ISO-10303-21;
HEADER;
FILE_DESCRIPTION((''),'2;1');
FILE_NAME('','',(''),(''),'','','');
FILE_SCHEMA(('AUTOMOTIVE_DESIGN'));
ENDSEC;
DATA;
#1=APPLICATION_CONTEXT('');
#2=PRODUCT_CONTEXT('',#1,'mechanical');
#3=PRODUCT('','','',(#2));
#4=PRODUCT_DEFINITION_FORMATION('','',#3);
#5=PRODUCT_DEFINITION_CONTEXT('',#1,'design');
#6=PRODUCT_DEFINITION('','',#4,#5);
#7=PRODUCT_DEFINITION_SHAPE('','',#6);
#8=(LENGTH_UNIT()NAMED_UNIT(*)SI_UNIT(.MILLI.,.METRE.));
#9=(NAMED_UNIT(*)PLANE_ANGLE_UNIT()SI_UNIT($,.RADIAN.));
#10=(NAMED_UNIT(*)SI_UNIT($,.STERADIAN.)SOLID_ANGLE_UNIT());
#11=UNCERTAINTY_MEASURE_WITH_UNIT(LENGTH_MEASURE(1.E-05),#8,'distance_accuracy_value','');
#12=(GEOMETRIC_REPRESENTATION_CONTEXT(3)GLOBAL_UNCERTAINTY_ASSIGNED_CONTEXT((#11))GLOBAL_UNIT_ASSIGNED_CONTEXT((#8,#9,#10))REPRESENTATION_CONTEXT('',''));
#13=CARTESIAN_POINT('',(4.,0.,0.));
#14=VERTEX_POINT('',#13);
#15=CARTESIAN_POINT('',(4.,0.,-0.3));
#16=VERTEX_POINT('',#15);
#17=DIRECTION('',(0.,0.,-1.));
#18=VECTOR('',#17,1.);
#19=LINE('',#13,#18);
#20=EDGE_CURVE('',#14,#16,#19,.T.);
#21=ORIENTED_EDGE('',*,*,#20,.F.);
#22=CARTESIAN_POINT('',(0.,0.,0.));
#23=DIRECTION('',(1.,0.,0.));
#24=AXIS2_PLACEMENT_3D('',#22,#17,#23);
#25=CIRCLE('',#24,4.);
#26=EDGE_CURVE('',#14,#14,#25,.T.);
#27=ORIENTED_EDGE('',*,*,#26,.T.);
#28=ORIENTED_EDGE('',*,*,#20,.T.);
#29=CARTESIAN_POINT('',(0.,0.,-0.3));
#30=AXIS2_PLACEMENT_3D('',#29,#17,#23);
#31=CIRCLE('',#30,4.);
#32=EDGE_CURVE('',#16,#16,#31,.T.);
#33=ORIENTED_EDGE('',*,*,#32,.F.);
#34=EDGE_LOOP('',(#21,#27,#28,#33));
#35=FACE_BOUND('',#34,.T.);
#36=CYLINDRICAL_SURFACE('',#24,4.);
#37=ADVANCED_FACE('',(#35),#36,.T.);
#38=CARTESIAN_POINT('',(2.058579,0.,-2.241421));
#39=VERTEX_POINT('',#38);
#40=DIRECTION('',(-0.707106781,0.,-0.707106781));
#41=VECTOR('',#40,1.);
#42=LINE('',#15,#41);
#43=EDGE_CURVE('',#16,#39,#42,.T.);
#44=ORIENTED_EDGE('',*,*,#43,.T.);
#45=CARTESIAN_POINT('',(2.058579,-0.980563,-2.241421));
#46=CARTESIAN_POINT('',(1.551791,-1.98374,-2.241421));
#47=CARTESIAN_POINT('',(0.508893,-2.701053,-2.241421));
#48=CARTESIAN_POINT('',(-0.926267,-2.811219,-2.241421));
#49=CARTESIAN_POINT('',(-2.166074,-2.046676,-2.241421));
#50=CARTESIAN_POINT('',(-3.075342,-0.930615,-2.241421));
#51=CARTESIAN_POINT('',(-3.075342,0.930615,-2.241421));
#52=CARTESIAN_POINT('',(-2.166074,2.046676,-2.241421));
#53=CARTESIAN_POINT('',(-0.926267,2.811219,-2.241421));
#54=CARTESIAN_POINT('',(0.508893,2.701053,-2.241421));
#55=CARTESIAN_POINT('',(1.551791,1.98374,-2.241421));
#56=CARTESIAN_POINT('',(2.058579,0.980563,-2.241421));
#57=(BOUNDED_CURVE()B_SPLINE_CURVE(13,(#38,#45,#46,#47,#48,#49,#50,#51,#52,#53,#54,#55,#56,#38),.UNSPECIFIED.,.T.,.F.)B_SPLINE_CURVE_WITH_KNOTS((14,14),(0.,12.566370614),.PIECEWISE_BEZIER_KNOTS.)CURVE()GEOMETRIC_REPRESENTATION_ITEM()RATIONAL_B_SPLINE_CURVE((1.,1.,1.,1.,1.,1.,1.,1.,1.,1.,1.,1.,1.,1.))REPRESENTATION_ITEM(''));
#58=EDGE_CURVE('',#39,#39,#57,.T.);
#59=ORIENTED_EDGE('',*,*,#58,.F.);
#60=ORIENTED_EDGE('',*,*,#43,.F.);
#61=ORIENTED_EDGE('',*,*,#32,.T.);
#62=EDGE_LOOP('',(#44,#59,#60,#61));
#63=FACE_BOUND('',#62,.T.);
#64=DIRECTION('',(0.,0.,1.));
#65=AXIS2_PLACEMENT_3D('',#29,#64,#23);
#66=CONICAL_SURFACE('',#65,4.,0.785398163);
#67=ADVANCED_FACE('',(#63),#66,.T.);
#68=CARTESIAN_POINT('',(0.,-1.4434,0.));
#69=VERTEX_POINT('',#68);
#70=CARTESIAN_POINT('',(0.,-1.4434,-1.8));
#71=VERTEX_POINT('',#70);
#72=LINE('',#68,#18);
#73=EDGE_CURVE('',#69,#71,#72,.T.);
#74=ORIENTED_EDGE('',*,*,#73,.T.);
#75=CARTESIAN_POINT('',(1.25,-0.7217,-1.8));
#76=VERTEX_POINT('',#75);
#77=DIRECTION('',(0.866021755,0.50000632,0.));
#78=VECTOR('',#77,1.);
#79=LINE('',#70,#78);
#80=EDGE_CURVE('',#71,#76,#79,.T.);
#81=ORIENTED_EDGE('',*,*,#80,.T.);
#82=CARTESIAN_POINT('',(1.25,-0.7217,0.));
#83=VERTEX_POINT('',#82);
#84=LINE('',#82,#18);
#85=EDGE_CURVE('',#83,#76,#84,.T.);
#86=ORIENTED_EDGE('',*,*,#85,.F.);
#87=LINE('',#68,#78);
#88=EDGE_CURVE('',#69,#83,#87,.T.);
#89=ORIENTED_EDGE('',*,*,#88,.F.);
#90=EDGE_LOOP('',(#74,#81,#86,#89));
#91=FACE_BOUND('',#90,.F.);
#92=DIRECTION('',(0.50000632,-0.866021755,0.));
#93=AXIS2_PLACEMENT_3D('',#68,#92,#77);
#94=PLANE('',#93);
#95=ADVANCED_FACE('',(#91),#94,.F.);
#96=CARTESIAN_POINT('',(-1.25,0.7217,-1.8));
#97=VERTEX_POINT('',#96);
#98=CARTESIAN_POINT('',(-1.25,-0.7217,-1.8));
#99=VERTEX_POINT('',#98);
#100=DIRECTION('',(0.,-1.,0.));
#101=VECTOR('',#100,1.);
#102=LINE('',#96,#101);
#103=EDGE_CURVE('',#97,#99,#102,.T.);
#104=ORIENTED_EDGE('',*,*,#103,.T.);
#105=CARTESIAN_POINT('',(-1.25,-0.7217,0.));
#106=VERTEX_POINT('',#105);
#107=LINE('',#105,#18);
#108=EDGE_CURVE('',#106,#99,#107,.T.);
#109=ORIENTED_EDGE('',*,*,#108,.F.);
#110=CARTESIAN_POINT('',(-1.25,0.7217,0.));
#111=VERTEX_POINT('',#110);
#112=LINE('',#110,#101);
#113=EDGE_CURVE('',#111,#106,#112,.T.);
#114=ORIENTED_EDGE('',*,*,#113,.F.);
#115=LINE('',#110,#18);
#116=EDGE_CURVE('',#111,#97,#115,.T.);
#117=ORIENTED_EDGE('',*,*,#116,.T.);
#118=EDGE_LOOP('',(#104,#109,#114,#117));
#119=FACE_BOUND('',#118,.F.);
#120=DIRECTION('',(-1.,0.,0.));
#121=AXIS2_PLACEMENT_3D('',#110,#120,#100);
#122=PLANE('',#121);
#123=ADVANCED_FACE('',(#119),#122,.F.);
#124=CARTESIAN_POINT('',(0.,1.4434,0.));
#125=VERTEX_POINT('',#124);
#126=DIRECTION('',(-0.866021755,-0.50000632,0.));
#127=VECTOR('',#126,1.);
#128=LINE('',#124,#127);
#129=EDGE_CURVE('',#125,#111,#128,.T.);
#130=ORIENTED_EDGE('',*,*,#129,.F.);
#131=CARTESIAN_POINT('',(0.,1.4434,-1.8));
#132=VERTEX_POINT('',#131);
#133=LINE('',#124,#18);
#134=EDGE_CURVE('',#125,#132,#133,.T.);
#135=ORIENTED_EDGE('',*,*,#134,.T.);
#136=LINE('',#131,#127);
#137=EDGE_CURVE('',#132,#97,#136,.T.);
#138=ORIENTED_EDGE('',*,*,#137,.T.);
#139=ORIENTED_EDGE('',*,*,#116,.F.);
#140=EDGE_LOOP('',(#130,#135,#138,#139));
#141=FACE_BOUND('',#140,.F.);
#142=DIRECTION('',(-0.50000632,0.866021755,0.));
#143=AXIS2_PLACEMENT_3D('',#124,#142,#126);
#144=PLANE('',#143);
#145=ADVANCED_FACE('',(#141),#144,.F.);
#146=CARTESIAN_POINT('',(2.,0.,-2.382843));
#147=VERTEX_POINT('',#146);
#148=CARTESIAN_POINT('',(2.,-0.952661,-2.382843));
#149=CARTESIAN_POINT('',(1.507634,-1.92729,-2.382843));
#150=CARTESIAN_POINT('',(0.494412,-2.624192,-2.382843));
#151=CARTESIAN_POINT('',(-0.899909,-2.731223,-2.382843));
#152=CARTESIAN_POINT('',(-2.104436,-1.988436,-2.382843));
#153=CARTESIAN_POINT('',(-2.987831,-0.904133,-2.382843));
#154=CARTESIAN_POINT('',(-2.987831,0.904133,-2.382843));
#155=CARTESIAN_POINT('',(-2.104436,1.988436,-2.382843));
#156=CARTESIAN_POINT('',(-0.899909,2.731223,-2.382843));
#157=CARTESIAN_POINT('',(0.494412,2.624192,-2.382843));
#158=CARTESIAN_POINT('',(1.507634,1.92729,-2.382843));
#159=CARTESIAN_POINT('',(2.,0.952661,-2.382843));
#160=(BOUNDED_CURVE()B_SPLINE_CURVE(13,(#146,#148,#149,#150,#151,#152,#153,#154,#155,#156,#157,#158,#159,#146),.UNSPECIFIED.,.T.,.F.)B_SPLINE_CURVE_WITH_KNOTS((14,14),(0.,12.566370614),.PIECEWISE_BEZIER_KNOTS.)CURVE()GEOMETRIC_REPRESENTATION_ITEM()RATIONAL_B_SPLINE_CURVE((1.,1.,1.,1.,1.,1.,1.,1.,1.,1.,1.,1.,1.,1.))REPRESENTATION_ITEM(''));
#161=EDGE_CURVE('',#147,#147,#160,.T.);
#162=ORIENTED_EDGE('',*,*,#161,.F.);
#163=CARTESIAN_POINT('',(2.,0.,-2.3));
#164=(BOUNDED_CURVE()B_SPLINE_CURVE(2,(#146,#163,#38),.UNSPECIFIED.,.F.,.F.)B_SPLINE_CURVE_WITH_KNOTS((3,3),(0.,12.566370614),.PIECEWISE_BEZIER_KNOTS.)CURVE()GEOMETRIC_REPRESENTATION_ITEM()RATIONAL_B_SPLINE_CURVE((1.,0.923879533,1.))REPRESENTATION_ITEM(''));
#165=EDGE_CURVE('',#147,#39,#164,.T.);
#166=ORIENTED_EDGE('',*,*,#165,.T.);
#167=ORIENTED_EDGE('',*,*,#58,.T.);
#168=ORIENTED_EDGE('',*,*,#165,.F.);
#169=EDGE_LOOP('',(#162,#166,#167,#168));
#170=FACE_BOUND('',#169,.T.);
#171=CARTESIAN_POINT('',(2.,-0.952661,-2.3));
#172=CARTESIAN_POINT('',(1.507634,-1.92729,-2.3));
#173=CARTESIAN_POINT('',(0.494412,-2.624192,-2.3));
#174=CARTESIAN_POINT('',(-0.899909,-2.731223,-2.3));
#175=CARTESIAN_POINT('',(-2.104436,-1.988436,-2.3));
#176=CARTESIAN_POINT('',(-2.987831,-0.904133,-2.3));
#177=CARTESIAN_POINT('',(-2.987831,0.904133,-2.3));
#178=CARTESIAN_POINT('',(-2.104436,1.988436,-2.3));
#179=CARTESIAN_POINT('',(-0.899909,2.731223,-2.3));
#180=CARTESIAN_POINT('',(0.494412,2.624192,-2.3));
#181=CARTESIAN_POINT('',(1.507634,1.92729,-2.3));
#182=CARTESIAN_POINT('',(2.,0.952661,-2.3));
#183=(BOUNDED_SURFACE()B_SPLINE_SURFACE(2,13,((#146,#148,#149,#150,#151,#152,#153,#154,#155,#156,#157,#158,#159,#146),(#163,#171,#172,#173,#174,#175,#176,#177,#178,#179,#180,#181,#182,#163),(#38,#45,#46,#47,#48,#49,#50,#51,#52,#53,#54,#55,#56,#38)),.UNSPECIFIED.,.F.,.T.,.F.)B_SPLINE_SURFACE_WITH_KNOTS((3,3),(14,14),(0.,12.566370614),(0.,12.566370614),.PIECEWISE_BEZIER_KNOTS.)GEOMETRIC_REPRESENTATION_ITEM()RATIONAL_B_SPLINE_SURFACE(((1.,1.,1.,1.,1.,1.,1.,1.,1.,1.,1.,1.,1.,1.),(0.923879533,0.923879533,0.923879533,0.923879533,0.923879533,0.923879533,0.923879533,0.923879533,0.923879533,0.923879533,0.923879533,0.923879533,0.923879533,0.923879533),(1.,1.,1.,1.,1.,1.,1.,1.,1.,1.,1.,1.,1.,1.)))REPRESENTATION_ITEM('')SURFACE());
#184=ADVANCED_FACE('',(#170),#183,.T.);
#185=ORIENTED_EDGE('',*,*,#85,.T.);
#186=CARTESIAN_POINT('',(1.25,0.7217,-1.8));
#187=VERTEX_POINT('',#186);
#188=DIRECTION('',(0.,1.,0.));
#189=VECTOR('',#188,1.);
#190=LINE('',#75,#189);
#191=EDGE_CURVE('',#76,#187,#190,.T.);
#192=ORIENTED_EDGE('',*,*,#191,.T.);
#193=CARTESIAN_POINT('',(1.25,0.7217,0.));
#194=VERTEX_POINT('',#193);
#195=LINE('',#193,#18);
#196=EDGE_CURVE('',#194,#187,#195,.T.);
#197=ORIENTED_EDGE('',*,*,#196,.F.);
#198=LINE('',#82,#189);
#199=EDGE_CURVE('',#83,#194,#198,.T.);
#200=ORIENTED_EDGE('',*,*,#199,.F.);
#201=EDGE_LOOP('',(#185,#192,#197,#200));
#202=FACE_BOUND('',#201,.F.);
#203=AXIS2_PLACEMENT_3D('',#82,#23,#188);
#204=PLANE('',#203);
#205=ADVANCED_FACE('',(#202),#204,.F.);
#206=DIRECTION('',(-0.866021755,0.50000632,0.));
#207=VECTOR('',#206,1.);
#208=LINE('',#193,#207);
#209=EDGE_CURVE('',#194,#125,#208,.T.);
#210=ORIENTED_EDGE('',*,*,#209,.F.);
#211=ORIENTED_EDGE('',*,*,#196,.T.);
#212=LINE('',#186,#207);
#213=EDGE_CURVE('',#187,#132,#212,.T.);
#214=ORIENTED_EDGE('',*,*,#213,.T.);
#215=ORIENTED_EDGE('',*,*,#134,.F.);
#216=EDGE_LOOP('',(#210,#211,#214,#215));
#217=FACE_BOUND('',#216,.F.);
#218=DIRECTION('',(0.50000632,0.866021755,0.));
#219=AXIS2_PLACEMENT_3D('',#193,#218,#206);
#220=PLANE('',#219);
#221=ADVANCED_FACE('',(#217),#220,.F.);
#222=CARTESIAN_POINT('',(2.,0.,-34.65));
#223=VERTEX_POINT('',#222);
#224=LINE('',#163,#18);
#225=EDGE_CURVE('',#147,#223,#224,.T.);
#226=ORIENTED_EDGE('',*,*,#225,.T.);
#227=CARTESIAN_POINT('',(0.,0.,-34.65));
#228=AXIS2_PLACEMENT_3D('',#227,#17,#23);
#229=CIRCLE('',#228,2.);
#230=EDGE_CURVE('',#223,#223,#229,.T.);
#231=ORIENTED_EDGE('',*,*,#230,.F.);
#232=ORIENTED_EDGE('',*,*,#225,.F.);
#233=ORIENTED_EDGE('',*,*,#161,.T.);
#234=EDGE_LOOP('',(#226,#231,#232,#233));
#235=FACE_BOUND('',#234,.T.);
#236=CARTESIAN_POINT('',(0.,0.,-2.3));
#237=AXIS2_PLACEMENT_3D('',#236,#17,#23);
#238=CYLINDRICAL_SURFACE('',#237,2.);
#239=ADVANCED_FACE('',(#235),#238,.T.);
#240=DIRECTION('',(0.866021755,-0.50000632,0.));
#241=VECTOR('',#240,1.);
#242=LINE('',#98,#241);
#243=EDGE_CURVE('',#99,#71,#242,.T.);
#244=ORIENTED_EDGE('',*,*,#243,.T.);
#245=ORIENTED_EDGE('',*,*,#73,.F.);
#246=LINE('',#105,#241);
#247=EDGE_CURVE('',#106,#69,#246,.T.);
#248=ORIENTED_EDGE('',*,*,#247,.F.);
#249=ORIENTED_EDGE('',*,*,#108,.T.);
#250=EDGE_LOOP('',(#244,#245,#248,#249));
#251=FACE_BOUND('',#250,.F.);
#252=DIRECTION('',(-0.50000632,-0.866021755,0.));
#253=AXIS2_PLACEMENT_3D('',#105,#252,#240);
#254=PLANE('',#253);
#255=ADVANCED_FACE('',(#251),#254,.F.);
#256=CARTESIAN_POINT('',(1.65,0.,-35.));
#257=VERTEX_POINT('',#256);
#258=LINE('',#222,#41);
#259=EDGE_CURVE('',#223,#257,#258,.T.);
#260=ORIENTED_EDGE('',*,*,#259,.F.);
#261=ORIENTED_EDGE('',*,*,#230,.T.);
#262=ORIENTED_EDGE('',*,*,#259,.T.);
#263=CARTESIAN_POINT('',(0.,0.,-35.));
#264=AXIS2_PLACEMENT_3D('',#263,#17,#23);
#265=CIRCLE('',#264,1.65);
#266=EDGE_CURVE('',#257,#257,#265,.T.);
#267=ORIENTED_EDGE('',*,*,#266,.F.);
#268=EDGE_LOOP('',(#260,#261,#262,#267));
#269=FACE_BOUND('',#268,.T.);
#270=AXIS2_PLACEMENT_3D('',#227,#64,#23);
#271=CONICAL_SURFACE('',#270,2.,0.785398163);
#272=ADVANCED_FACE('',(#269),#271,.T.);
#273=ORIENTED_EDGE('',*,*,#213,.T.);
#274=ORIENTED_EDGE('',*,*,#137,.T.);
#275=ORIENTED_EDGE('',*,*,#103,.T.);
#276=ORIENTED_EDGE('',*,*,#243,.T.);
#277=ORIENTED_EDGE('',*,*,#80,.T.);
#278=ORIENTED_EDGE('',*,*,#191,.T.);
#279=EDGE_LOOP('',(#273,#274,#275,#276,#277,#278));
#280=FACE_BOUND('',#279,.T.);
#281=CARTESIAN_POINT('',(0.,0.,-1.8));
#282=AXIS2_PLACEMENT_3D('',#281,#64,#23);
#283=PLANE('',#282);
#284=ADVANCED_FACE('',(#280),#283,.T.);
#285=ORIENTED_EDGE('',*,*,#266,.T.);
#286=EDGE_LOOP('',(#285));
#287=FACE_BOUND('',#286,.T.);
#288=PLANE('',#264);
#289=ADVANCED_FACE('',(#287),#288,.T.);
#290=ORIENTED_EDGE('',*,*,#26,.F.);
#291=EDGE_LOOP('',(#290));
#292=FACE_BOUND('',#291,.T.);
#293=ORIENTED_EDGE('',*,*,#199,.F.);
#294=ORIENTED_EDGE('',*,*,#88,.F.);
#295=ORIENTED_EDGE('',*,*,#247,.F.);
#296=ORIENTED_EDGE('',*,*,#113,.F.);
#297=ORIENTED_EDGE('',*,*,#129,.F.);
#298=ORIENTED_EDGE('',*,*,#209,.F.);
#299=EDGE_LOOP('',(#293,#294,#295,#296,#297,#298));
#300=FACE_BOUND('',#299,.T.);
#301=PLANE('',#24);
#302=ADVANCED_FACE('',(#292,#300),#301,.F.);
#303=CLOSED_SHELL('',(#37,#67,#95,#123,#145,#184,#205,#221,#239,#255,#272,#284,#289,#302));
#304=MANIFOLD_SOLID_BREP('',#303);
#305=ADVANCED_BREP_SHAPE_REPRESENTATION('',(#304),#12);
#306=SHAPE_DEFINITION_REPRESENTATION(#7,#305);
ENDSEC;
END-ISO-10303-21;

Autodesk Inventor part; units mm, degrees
ref_plane "YZ Plane" through (0, 0, 0) normal (1, 0, 0) x (0, 1, 0)
sketch "Sketch1" plane through (0, 0, 0) normal (0, 1, 0) x (-1, 0, 0)
  point P0 (0, 0)
sketch "Sketch2" plane through (0, 0, 0) normal (0, 1, 0) x (-1, 0, 0)
  line L0 (-2, -35) -> (0, -35)
  line L1 (-2, -2.3) -> (-2, -35)
  line L2 (-4, -0.3) -> (-2, -2.3)
  line L3 (-4, 0) -> (-4, -0.3)
  line L4 (0, 0) -> (-4, 0)
  line L5 (0, -35) -> (0, 0)
  line L6 (0, -35) -> (0, 0)
  line L7 (0, -42) -> (0, 7) projected
  line L8 (0.8, 0) -> (-4.8, 0) projected
  dimension "d3" = 4
  dimension "d5" = 2
  dimension "d7" = 35
  dimension "ParC" = 0.3
  dimension "d22" = 0
  dimension "d23" = 0
  dimension "d43" = 45
revolve "Revolution1" add sketch "Sketch2" angle 360 about axis through (0, 0, -35) along (0, 0, -1)
sketch "Sketch3" plane through (0, 0, 0) normal (0, 0, 1) x (1, 0, 0)
  line L0 (-1.25, 0.7217) -> (-1.25, -0.7217)
  line L1 (0, 1.4434) -> (-1.25, 0.7217)
  line L2 (1.25, 0.7217) -> (0, 1.4434)
  line L3 (1.25, -0.7217) -> (1.25, 0.7217)
  line L4 (0, -1.4434) -> (1.25, -0.7217)
  line L5 (-1.25, -0.7217) -> (0, -1.4434)
  circle A0 centre (0, 0) radius 1.25 construction
  circle A1 centre (0, 0) radius 2 construction
  dimension "d11" = 2.5
  dimension "d13" = 120
  dimension "d15" = 120
extrude "Extrusion1" cut sketch "Sketch3" against normal blind 1.8
fillet "Fillet1" radius 0.2 1 edges at (-2, 0, -2.3)
chamfer "Chamfer1" distance 0.35 angle 45 1 edges at (-2, 0, -35) measured on face at (-0.9288, -1.7713, -24.1276)
thread "Thread1" size "M4x0.7" class "6g" standard "ISO Metric profile" length 14
ref_plane "MSC_PF1" through (0, 0, 0) normal (1, 0, 0) x (0, 1, 0)
ref_plane "MSC_PT1" through (0, 0, 0) normal (0, 0, -1) x (-1, 0, 0)
equation "\"d3\" = 0.5 * dk"
equation "\"d5\" = 0.5 * NND"
equation "\"d7\" = NLG"
equation "\"d43\" = 0.5 * ang"
equation "\"d18\" = r"
equation "\"d19\" = 0.5 * PTC"
equation "\"d39\" = 0.5 * PTC"
equation "\"d11\" = ParS"
equation "\"d16\" = ParT"
equation "\"NND\" = 4"
equation "\"PTC\" = 0.7"
equation "\"dk\" = 8"
equation "\"ParK\" = 2.3"
equation "\"ParS\" = 2.5"
equation "\"ParT\" = 1.8"
equation "\"r\" = 0.2"
equation "\"NLG\" = 35"
equation "\"ang\" = 90deg"
equation "\"THREADDIA\" = NND"
properties part number "ISO 10642 - M4x35" material "Steel, Mild"
